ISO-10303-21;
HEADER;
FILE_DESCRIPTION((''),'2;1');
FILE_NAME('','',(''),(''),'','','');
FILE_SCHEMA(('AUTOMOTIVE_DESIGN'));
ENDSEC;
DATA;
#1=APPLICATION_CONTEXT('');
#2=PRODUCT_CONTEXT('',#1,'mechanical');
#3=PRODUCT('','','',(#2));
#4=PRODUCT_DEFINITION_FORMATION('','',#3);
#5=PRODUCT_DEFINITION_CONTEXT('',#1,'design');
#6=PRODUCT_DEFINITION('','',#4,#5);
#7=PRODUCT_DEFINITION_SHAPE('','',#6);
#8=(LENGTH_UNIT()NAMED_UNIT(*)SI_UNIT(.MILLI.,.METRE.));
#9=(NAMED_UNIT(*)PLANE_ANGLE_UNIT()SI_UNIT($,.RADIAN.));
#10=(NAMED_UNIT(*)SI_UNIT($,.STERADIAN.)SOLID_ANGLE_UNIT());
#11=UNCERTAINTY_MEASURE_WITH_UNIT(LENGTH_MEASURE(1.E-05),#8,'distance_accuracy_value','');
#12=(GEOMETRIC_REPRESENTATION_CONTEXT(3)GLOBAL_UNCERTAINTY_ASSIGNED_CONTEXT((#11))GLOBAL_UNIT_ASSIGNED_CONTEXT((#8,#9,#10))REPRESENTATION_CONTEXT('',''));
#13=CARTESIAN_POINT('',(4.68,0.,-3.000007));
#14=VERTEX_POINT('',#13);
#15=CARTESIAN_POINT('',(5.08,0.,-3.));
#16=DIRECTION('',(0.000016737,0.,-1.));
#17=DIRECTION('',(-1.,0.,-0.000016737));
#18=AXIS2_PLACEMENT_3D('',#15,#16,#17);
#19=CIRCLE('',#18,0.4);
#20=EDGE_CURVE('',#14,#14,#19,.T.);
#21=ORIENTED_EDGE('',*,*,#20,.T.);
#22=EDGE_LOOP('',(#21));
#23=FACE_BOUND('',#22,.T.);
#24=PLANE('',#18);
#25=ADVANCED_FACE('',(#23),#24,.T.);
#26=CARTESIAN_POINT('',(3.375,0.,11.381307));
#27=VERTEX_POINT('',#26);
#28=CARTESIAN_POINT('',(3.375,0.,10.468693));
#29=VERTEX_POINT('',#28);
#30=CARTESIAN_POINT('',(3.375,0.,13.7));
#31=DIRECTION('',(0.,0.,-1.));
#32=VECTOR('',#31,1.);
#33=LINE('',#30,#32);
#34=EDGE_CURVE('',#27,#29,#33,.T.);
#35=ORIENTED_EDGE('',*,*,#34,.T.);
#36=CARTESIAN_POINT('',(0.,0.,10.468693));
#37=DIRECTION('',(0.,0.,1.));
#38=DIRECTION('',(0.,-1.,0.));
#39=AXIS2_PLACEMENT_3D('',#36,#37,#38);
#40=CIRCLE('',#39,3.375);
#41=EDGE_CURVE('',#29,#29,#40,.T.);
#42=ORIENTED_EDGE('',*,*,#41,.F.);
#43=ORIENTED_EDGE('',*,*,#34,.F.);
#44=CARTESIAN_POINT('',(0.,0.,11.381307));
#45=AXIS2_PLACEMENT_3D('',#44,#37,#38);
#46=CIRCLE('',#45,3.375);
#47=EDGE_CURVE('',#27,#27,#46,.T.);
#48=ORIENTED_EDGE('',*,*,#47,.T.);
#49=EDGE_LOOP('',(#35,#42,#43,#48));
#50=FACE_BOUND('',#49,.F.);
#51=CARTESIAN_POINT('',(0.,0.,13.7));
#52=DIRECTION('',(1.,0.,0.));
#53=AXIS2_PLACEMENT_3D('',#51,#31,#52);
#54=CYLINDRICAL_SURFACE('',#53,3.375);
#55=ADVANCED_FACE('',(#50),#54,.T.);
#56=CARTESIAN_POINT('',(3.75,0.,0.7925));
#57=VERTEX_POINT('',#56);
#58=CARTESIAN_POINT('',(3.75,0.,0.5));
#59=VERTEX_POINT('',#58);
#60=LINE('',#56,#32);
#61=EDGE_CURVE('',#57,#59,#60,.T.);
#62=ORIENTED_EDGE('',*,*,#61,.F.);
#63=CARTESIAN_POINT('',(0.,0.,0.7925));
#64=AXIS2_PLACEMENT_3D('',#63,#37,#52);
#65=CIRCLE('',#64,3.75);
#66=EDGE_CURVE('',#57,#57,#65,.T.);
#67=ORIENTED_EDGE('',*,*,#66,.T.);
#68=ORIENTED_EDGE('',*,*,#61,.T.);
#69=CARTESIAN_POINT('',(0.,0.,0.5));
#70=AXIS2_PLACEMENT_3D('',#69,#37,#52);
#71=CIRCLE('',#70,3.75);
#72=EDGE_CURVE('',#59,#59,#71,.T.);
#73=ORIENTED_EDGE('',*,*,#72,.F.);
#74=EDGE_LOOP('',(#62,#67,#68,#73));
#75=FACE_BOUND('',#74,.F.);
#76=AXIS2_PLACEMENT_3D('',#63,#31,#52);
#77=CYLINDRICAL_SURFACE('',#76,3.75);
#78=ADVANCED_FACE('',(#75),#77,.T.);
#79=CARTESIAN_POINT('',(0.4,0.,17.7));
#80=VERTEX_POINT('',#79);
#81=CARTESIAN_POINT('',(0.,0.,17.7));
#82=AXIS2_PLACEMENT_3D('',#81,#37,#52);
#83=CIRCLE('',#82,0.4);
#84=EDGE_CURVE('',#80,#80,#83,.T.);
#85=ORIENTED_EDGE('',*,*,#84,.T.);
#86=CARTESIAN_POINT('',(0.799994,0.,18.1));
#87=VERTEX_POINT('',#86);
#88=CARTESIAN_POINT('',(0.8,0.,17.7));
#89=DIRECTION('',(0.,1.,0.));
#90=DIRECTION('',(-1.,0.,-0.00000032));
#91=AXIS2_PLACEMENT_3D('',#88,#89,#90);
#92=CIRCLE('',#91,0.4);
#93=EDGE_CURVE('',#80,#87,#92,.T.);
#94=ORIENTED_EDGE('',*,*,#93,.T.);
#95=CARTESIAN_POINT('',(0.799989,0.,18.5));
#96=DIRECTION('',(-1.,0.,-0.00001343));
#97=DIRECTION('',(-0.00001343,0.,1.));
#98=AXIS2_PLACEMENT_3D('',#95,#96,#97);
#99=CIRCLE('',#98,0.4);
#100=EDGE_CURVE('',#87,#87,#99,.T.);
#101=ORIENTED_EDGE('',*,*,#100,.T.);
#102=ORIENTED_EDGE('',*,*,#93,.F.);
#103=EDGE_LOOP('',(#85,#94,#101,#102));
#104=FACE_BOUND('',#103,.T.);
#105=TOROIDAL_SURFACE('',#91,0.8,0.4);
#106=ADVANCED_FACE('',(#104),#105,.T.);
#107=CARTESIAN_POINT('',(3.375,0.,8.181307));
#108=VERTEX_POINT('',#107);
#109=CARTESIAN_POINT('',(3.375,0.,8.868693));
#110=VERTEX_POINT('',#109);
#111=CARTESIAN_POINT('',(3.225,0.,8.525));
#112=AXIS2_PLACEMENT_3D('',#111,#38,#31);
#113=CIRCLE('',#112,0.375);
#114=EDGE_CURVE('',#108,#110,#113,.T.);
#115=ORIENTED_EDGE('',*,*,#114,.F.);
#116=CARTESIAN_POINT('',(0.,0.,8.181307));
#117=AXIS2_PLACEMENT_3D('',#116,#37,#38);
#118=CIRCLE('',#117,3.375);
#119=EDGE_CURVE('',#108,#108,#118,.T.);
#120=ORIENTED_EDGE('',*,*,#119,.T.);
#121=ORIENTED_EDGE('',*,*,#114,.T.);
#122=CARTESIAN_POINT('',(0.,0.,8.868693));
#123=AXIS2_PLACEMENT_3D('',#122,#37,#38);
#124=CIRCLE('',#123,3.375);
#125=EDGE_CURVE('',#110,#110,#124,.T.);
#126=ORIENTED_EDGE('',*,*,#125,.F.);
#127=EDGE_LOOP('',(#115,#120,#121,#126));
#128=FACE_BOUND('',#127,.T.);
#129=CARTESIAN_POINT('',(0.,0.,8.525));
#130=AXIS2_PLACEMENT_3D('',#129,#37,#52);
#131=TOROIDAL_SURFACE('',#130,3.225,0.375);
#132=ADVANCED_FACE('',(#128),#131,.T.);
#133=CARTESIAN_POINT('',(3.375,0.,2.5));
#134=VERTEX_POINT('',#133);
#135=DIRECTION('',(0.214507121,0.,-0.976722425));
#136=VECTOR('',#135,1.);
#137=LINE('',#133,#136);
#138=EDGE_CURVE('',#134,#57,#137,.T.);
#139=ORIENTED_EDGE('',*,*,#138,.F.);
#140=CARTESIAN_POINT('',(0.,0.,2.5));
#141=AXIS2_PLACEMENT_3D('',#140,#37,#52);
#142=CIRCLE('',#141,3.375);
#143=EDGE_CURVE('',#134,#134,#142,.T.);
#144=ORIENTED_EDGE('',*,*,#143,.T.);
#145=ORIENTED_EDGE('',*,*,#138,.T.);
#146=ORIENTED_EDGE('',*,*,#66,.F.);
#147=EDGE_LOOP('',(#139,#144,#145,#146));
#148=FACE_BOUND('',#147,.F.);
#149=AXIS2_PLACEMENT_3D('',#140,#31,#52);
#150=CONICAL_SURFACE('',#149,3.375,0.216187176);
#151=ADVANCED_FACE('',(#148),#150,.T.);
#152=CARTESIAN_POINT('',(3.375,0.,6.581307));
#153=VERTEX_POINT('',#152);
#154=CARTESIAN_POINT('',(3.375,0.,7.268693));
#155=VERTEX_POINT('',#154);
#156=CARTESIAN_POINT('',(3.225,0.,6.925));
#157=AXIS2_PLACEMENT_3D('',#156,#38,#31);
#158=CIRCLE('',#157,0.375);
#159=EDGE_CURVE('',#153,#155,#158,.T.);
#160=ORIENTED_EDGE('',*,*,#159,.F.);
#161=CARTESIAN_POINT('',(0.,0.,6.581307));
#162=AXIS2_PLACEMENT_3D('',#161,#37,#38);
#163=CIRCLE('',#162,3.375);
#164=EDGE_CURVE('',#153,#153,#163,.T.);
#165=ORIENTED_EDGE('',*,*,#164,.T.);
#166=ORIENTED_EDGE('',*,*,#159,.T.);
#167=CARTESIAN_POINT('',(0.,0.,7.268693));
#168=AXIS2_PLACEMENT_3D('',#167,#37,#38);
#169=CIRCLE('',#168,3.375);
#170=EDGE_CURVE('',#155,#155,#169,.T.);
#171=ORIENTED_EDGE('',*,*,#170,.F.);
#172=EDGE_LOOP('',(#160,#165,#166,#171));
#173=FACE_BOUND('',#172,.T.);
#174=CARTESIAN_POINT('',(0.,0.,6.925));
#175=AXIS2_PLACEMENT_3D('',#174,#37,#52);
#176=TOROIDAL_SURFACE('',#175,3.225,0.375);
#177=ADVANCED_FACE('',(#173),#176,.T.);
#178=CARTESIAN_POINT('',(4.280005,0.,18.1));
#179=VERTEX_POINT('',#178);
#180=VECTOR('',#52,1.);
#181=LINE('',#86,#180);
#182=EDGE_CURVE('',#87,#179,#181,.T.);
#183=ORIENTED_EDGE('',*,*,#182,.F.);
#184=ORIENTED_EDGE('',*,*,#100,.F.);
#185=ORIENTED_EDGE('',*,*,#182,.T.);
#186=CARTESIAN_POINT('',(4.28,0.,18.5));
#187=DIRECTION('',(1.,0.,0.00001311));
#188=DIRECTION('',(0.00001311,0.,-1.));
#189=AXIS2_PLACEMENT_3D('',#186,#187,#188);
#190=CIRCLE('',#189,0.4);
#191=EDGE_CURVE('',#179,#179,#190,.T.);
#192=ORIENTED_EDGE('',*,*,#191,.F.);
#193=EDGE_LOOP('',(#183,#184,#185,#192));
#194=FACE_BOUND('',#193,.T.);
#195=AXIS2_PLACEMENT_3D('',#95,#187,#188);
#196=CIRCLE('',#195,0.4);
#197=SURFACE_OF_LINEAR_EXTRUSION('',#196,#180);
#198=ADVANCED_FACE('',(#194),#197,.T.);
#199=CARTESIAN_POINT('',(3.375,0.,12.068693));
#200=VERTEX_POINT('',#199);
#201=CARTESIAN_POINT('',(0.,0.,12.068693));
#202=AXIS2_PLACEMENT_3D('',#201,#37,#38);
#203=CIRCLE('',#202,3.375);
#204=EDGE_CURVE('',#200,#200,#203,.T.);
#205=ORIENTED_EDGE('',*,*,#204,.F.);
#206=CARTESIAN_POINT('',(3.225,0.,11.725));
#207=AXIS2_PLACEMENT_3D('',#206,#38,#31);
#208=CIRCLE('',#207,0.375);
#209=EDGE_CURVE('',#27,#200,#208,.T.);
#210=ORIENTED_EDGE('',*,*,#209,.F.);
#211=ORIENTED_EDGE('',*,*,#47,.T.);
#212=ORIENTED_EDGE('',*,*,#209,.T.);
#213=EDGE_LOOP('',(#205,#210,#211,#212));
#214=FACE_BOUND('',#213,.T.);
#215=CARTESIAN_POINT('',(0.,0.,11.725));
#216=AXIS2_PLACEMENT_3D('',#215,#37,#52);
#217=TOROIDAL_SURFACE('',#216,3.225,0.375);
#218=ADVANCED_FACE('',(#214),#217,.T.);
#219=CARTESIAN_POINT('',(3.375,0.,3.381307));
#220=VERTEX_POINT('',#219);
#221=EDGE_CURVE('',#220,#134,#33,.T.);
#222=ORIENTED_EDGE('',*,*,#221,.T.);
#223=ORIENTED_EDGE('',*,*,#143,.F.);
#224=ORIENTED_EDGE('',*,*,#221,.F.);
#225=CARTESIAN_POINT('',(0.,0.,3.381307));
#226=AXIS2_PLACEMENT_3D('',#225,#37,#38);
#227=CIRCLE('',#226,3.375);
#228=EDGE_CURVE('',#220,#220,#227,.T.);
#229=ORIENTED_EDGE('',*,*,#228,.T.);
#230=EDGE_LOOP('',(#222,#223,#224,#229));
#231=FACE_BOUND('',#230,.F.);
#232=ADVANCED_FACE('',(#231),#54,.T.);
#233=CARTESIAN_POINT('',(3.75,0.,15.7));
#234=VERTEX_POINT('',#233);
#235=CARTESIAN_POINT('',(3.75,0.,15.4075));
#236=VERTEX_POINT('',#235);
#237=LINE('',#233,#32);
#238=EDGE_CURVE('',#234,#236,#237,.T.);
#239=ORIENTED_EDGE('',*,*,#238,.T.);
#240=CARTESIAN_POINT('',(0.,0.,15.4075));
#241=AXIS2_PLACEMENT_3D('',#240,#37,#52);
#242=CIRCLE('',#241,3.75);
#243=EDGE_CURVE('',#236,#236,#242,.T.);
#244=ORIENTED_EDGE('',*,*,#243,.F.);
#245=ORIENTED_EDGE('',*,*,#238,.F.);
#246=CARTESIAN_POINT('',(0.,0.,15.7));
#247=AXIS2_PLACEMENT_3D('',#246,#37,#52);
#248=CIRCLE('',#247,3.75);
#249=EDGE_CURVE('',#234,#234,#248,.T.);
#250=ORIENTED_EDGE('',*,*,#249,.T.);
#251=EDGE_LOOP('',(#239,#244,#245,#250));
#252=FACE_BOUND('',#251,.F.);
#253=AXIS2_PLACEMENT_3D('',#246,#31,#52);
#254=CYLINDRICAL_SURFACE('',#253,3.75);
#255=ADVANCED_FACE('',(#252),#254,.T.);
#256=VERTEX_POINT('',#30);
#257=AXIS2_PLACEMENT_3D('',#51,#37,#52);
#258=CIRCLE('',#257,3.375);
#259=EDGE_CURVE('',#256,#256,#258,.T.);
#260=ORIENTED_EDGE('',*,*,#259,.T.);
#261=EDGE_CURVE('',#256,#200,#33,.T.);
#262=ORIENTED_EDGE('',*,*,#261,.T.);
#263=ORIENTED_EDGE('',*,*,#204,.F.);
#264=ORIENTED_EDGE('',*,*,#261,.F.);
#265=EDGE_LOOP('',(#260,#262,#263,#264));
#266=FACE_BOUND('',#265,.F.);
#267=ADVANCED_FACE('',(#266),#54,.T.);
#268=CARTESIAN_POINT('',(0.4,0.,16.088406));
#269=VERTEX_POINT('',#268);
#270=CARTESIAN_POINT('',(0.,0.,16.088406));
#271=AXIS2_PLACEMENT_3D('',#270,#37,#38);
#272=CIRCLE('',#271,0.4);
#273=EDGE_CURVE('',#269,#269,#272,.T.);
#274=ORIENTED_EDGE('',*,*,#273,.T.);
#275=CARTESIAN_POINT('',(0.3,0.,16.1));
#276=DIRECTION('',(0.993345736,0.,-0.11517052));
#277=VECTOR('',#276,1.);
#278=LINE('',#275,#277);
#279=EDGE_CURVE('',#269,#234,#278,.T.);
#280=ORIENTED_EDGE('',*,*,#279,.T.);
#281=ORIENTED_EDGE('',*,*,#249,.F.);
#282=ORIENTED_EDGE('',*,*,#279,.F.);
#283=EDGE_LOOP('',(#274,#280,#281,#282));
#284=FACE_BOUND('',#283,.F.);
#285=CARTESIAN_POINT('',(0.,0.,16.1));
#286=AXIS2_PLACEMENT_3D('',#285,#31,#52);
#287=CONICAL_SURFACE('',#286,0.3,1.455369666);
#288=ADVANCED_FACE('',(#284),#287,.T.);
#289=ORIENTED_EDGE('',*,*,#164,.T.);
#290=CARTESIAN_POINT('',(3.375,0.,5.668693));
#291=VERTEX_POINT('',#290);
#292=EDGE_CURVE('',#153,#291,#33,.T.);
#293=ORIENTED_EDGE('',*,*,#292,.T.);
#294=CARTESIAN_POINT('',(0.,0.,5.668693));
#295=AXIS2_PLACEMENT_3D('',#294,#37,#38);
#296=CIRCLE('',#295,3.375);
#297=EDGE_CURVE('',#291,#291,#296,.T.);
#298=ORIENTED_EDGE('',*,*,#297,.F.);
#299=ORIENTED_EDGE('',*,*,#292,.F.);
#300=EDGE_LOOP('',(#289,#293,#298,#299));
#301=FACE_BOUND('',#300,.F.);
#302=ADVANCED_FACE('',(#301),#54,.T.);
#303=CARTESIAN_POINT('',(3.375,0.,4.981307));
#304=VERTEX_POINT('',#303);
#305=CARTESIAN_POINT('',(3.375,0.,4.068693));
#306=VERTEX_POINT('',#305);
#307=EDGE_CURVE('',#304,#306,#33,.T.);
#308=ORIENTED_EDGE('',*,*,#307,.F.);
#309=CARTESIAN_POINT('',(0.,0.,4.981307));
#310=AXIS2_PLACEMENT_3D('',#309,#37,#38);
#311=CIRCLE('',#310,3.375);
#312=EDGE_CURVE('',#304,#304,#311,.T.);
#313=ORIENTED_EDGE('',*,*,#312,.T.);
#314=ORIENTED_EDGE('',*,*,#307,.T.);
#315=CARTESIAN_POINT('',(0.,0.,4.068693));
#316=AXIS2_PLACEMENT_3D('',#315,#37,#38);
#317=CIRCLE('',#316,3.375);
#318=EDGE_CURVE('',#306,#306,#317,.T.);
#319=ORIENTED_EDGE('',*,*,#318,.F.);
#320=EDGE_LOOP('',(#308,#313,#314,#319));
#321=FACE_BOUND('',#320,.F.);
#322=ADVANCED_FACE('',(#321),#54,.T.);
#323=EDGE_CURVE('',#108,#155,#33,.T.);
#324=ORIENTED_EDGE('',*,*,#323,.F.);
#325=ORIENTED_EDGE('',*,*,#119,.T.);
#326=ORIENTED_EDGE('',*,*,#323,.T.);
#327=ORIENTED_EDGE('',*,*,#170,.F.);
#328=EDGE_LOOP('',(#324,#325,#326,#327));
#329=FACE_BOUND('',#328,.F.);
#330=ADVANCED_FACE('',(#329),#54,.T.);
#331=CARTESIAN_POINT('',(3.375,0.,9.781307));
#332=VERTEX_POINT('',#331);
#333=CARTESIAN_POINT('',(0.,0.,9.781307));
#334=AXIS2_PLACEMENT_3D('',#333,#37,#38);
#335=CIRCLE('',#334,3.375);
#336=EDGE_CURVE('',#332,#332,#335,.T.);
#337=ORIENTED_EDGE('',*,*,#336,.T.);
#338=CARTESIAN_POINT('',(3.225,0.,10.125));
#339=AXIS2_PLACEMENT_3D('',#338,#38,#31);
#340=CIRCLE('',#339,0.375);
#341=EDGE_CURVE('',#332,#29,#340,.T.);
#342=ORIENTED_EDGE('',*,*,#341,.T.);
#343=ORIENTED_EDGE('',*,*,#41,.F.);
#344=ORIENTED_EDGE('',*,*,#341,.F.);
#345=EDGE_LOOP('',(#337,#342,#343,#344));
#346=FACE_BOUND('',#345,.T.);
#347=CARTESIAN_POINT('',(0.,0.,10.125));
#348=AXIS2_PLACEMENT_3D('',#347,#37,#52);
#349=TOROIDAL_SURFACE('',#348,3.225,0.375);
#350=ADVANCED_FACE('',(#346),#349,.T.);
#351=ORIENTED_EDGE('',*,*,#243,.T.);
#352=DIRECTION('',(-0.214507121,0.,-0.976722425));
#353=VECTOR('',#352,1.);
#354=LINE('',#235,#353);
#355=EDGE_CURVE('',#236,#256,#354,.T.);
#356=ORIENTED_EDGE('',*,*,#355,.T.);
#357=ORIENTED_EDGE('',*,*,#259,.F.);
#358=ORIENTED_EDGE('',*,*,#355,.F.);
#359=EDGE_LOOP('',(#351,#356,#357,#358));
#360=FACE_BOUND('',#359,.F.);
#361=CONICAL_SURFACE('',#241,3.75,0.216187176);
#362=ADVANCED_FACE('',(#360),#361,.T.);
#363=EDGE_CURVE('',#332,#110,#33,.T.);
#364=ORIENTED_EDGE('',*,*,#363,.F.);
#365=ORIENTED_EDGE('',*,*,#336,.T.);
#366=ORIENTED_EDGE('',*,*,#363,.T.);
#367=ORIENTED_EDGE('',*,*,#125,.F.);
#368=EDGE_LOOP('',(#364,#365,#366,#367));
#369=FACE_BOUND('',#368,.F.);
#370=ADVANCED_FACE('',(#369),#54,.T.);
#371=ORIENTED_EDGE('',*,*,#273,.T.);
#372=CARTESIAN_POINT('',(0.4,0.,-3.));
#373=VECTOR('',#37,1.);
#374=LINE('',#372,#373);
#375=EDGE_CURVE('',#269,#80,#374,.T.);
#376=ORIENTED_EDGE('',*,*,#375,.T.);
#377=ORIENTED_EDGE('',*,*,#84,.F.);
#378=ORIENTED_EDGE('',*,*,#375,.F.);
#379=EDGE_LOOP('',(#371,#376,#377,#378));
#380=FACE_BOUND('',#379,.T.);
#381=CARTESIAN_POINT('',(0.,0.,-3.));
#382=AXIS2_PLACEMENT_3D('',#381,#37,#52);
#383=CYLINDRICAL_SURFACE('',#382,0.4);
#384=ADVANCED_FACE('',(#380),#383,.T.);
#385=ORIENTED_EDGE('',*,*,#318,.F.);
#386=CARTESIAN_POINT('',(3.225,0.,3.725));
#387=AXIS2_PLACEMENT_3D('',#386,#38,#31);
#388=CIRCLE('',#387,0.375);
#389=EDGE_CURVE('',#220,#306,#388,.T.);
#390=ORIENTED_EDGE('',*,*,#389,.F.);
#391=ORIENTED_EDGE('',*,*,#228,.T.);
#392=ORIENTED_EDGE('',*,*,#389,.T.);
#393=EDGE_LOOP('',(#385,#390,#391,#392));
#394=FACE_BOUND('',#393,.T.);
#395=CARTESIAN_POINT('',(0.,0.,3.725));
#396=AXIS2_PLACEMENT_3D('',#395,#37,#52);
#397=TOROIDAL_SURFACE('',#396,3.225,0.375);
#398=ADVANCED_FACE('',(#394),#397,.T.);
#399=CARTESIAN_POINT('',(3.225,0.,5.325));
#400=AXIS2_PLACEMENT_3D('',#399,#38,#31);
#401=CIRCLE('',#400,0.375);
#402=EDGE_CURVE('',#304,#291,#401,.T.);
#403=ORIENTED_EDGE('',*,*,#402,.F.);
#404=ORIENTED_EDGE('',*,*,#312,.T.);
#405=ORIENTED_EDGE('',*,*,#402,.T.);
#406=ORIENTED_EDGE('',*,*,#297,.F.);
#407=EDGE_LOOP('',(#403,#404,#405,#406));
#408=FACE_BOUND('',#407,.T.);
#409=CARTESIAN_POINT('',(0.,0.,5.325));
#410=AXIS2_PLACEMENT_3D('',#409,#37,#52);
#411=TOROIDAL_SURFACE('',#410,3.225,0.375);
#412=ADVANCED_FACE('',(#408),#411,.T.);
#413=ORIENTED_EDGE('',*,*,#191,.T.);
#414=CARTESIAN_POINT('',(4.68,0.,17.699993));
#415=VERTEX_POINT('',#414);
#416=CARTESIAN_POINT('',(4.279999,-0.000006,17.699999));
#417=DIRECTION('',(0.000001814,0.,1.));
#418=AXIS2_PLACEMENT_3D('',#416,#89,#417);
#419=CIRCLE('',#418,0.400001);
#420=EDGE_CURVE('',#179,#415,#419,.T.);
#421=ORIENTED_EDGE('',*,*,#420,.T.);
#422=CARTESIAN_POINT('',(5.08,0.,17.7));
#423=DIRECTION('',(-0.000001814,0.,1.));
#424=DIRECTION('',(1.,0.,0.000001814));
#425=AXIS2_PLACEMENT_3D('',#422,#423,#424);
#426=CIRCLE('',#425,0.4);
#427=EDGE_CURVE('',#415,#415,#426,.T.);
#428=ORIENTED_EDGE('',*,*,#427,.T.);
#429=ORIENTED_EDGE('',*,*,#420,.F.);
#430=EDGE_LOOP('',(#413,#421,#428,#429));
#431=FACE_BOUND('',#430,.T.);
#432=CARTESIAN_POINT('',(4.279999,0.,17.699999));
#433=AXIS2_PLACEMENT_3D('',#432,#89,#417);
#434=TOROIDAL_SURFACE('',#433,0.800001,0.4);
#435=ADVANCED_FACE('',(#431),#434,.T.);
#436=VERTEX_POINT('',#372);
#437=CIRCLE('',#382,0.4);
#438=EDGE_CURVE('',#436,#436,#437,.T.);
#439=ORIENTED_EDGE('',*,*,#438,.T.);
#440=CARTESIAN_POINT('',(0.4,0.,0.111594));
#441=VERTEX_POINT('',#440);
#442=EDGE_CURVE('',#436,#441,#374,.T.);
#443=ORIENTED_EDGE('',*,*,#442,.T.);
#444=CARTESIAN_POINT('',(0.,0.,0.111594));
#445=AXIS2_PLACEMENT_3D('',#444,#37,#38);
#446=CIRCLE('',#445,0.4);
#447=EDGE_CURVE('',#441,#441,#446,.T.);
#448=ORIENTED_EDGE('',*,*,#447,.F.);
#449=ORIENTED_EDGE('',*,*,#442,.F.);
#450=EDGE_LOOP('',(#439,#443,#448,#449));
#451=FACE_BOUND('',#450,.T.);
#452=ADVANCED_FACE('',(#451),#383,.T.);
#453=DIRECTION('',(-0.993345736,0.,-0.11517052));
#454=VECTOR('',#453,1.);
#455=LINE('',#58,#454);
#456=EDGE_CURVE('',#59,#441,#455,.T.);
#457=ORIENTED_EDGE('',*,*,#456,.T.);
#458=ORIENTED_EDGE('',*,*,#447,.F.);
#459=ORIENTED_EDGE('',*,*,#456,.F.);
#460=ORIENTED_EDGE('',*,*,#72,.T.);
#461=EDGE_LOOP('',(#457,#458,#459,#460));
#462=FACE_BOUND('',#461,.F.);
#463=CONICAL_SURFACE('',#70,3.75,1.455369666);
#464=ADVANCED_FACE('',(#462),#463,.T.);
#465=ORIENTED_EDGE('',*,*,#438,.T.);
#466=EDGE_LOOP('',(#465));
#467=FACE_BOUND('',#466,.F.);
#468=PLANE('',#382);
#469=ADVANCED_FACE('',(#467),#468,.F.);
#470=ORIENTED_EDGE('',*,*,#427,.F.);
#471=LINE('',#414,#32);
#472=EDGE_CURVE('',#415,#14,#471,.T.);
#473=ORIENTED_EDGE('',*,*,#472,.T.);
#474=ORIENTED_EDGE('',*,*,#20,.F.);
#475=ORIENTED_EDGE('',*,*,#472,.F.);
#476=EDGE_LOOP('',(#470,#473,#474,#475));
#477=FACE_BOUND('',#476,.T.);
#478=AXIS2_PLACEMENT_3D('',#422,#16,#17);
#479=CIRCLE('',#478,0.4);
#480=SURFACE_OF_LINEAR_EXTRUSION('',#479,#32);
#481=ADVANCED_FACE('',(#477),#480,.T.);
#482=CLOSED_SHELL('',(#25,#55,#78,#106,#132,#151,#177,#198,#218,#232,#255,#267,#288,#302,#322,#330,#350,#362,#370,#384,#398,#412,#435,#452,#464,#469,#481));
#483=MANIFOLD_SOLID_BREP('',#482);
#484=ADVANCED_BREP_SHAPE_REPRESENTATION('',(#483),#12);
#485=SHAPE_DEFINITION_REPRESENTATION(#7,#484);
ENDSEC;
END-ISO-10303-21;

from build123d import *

# Parameters (mm, degrees)
SKETCH_R = 0.4


with BuildPart() as revolution:
    # Sketch002 → Revolution (revolve)
    with BuildSketch(Plane.XZ):
        Polygon((0, 0.1), (0, 16.1), (0.3, 16.1), (3.75, 15.7), (3.75, 15.4075), (3.375, 13.7), (3.375, 2.5), (3.75, 0.7925), (3.75, 0.5), (0.3, 0.1), align=None)
    revolve(axis=Axis((0, 0, 0), (0, 0, 1)))


with BuildPart() as sweep_body:
    # Sweep: sweep along a path in Sketch001
    with BuildLine(Plane.XZ) as sweep_path:
        Line((0, -3), (0, 17.7))
        ThreePointArc((0, 17.7), (0.234311, 18.265682), (0.799989, 18.5))
        Line((0.799989, 18.5), (4.28, 18.5))
        ThreePointArc((4.28, 18.5), (4.845685, 18.265685), (5.08, 17.7))
        Line((5.08, 17.7), (5.08, -3))
    # Sketch → Sweep (sweep)
    with BuildSketch(Plane.XY.offset(-2)):
        Circle(SKETCH_R)
    sweep(path=sweep_path.line)


with BuildPart() as revolution001_mp_cp:
    # Sketch003 → Revolution001 (revolve)
    with BuildSketch(Plane.XZ):
        with BuildLine():
            Line((3, 12.95), (3, 2.5))
            Line((3, 2.5), (3.225, 2.5))
            Line((3.225, 2.5), (3.225, 3.35))
            ThreePointArc((3.225, 3.35), (3.6, 3.725), (3.225, 4.1))
            Line((3.225, 4.1), (3.225, 4.95))
            ThreePointArc((3.225, 4.95), (3.6, 5.325), (3.225, 5.7))
            Line((3.225, 5.7), (3.225, 6.55))
            ThreePointArc((3.225, 6.55), (3.6, 6.925), (3.225, 7.3))
            Line((3.225, 7.3), (3.225, 8.15))
            ThreePointArc((3.225, 8.15), (3.6, 8.525), (3.225, 8.9))
            Line((3.225, 8.9), (3.225, 9.75))
            ThreePointArc((3.225, 9.75), (3.6, 10.125), (3.225, 10.5))
            Line((3.225, 10.5), (3.225, 11.35))
            ThreePointArc((3.225, 11.35), (3.6, 11.725), (3.225, 12.1))
            Line((3.225, 12.95), (3.225, 12.1))
            Line((3, 12.95), (3.225, 12.95))
        make_face()
    revolve(axis=Axis((0, 0, 0), (0, 0, 1)))

    # Revolution001_mp_cp: union Revolution, Sweep body
    add(revolution.part)
    add(sweep_body.part)


solid = revolution001_mp_cp.part
